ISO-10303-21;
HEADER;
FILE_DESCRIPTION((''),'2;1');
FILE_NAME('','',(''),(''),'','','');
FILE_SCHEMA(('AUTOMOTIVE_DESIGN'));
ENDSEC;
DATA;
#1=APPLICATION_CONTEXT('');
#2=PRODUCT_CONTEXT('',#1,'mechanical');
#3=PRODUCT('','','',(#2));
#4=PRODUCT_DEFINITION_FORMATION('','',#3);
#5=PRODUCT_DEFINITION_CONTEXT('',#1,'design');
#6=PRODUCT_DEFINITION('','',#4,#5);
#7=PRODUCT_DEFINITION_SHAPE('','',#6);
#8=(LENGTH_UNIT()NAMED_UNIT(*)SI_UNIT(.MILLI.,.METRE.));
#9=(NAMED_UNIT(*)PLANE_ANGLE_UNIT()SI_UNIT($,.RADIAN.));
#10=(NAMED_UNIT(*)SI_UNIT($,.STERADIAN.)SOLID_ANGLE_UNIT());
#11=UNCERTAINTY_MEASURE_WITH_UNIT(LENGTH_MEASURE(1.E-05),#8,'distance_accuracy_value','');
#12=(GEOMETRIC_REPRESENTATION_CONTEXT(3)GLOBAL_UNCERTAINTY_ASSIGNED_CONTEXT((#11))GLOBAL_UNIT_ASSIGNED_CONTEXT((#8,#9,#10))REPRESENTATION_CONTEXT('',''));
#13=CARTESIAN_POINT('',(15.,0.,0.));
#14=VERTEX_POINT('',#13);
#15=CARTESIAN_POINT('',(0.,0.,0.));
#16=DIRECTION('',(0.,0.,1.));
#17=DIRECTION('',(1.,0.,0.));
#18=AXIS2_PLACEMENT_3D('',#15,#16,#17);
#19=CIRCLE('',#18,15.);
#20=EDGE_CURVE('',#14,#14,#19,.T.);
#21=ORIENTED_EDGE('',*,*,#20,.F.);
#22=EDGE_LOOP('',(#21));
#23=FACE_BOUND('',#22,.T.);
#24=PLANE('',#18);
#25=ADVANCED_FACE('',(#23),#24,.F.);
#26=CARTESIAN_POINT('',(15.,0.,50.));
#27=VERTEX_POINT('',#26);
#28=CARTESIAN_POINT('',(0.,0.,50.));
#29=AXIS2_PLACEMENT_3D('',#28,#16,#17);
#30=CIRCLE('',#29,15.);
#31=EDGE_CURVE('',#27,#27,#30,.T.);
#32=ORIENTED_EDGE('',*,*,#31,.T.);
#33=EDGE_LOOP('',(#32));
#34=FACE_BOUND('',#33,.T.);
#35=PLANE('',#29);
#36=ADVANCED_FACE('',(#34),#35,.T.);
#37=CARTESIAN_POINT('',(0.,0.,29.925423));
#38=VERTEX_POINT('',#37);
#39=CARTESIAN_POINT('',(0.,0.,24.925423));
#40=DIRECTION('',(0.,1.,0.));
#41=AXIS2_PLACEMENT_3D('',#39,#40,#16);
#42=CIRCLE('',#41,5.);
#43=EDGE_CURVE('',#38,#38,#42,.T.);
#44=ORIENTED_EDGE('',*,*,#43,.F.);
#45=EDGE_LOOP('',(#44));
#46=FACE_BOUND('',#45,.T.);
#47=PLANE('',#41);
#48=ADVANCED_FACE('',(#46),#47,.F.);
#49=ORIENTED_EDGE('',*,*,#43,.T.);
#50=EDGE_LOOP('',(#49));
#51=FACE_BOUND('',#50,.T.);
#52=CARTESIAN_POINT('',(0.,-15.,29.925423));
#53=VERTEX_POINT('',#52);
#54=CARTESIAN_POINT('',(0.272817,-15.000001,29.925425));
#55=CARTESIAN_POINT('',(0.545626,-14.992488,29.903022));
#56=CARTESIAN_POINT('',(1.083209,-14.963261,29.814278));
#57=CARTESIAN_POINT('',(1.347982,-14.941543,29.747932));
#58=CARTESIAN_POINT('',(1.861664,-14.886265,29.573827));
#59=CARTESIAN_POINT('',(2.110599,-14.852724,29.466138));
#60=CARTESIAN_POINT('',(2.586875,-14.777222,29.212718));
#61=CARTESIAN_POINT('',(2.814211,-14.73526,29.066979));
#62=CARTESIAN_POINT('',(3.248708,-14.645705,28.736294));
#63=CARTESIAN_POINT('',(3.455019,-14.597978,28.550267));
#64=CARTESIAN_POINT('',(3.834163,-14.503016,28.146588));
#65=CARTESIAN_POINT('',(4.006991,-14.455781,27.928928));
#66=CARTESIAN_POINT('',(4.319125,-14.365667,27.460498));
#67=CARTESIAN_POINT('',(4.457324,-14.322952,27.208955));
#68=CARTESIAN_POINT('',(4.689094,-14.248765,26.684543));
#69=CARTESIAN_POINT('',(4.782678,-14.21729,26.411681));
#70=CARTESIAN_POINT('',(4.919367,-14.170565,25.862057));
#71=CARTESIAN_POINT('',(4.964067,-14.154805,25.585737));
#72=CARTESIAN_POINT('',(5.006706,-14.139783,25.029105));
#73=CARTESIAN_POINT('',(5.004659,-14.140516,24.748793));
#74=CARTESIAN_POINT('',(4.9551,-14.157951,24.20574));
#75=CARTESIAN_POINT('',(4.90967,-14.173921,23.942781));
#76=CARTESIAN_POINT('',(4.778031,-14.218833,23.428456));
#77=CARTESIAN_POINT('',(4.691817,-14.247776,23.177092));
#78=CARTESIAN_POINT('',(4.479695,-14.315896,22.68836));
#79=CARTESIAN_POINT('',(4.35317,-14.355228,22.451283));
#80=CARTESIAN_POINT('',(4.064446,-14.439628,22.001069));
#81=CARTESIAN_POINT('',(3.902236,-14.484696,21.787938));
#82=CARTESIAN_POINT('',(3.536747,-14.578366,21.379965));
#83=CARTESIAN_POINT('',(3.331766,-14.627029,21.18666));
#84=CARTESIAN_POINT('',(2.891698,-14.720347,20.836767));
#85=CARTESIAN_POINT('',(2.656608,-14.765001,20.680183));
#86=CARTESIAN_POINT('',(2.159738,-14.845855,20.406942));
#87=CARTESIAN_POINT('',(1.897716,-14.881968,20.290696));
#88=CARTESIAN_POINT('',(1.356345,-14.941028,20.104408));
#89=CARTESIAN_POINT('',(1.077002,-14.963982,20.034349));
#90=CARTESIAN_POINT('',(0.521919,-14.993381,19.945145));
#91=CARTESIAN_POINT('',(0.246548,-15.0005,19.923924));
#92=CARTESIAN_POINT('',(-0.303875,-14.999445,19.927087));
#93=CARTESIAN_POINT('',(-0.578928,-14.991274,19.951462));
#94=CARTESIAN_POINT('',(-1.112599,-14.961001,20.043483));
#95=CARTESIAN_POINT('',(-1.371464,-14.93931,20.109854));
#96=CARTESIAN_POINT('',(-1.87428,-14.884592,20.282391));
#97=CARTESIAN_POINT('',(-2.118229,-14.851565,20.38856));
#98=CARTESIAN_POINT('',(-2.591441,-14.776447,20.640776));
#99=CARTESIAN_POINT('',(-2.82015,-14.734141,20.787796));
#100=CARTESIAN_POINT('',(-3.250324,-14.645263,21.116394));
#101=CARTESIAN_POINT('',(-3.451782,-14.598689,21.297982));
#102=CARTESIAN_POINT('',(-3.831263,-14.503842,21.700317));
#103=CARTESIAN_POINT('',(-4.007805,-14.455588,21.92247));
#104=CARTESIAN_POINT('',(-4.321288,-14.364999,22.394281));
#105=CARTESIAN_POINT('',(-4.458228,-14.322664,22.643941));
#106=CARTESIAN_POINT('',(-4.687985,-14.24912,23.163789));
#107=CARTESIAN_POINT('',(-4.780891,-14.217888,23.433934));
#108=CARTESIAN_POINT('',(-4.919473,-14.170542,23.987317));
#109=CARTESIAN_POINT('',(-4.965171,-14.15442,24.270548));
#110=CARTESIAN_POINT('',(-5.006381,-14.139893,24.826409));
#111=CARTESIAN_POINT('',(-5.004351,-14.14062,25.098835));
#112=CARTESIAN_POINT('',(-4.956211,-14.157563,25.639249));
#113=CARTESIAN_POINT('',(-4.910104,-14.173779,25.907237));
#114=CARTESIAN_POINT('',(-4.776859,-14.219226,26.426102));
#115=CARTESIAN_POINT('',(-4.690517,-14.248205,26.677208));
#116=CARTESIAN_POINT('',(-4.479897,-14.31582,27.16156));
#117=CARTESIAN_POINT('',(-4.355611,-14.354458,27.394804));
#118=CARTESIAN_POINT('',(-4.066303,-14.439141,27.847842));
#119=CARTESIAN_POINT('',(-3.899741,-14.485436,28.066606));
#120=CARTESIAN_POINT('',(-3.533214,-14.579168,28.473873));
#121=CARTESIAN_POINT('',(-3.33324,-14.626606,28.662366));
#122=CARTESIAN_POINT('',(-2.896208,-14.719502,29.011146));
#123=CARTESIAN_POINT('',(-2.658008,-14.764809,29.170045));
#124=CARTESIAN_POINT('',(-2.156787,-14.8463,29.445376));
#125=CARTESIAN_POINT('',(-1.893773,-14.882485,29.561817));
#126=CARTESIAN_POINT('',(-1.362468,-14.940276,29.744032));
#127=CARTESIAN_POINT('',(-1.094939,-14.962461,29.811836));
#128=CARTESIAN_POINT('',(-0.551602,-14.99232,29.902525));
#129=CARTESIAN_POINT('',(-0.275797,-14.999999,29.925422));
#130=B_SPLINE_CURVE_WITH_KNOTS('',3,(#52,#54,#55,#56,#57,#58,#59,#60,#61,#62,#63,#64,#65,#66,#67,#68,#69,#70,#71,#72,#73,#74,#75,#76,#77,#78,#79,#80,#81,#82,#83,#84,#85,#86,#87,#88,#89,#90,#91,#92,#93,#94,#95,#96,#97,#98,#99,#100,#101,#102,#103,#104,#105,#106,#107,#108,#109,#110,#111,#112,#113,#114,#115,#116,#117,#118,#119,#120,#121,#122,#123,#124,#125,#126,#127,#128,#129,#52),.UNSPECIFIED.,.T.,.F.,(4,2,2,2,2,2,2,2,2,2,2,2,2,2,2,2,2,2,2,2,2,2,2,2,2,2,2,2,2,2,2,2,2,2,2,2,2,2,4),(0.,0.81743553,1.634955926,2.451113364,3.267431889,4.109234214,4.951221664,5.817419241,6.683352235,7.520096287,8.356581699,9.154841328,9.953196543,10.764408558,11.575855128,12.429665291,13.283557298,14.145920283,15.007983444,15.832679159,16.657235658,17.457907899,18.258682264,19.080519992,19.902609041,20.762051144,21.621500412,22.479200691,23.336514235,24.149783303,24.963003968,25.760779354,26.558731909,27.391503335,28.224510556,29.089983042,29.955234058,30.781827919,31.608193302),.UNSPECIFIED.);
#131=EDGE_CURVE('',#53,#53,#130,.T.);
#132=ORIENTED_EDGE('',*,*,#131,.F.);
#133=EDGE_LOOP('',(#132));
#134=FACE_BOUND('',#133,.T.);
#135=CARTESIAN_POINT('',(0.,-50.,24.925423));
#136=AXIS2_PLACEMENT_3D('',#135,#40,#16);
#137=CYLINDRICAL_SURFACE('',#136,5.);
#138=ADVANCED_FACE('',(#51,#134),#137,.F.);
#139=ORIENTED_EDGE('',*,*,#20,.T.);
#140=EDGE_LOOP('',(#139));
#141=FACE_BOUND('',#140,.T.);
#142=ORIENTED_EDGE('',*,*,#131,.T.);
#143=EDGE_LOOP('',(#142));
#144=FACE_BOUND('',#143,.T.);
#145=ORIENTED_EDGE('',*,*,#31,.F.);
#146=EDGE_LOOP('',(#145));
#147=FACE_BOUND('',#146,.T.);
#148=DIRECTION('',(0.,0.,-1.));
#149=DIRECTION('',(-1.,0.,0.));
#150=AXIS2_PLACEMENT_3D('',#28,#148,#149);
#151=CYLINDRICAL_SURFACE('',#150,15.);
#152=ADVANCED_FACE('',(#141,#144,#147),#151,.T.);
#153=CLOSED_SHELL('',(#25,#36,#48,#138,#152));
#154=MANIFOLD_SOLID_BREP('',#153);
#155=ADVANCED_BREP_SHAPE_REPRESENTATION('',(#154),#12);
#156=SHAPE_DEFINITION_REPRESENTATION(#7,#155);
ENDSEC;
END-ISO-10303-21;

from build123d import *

# Parameters (mm, degrees)
SKETCH1_R           = 15
BOSS_EXTRUDE2_DEPTH = 50
SKETCH3_R           = 5
CUT_EXTRUDE2_DEPTH  = 50


with BuildPart() as part:
    # Sketch1 → Boss-Extrude2 (new body)
    with BuildSketch(Plane.XY):
        Circle(SKETCH1_R)
    extrude(amount=BOSS_EXTRUDE2_DEPTH)

    # Sketch3 → Cut-Extrude2 (cut)
    with BuildSketch(Plane(origin=(0, 0, 0), x_dir=(1, 0, 0), z_dir=(0, 1, 0))):
        with Locations((0, -24.925423447)):
            Circle(SKETCH3_R)
    extrude(amount=-CUT_EXTRUDE2_DEPTH, mode=Mode.SUBTRACT)


solid = part.part
